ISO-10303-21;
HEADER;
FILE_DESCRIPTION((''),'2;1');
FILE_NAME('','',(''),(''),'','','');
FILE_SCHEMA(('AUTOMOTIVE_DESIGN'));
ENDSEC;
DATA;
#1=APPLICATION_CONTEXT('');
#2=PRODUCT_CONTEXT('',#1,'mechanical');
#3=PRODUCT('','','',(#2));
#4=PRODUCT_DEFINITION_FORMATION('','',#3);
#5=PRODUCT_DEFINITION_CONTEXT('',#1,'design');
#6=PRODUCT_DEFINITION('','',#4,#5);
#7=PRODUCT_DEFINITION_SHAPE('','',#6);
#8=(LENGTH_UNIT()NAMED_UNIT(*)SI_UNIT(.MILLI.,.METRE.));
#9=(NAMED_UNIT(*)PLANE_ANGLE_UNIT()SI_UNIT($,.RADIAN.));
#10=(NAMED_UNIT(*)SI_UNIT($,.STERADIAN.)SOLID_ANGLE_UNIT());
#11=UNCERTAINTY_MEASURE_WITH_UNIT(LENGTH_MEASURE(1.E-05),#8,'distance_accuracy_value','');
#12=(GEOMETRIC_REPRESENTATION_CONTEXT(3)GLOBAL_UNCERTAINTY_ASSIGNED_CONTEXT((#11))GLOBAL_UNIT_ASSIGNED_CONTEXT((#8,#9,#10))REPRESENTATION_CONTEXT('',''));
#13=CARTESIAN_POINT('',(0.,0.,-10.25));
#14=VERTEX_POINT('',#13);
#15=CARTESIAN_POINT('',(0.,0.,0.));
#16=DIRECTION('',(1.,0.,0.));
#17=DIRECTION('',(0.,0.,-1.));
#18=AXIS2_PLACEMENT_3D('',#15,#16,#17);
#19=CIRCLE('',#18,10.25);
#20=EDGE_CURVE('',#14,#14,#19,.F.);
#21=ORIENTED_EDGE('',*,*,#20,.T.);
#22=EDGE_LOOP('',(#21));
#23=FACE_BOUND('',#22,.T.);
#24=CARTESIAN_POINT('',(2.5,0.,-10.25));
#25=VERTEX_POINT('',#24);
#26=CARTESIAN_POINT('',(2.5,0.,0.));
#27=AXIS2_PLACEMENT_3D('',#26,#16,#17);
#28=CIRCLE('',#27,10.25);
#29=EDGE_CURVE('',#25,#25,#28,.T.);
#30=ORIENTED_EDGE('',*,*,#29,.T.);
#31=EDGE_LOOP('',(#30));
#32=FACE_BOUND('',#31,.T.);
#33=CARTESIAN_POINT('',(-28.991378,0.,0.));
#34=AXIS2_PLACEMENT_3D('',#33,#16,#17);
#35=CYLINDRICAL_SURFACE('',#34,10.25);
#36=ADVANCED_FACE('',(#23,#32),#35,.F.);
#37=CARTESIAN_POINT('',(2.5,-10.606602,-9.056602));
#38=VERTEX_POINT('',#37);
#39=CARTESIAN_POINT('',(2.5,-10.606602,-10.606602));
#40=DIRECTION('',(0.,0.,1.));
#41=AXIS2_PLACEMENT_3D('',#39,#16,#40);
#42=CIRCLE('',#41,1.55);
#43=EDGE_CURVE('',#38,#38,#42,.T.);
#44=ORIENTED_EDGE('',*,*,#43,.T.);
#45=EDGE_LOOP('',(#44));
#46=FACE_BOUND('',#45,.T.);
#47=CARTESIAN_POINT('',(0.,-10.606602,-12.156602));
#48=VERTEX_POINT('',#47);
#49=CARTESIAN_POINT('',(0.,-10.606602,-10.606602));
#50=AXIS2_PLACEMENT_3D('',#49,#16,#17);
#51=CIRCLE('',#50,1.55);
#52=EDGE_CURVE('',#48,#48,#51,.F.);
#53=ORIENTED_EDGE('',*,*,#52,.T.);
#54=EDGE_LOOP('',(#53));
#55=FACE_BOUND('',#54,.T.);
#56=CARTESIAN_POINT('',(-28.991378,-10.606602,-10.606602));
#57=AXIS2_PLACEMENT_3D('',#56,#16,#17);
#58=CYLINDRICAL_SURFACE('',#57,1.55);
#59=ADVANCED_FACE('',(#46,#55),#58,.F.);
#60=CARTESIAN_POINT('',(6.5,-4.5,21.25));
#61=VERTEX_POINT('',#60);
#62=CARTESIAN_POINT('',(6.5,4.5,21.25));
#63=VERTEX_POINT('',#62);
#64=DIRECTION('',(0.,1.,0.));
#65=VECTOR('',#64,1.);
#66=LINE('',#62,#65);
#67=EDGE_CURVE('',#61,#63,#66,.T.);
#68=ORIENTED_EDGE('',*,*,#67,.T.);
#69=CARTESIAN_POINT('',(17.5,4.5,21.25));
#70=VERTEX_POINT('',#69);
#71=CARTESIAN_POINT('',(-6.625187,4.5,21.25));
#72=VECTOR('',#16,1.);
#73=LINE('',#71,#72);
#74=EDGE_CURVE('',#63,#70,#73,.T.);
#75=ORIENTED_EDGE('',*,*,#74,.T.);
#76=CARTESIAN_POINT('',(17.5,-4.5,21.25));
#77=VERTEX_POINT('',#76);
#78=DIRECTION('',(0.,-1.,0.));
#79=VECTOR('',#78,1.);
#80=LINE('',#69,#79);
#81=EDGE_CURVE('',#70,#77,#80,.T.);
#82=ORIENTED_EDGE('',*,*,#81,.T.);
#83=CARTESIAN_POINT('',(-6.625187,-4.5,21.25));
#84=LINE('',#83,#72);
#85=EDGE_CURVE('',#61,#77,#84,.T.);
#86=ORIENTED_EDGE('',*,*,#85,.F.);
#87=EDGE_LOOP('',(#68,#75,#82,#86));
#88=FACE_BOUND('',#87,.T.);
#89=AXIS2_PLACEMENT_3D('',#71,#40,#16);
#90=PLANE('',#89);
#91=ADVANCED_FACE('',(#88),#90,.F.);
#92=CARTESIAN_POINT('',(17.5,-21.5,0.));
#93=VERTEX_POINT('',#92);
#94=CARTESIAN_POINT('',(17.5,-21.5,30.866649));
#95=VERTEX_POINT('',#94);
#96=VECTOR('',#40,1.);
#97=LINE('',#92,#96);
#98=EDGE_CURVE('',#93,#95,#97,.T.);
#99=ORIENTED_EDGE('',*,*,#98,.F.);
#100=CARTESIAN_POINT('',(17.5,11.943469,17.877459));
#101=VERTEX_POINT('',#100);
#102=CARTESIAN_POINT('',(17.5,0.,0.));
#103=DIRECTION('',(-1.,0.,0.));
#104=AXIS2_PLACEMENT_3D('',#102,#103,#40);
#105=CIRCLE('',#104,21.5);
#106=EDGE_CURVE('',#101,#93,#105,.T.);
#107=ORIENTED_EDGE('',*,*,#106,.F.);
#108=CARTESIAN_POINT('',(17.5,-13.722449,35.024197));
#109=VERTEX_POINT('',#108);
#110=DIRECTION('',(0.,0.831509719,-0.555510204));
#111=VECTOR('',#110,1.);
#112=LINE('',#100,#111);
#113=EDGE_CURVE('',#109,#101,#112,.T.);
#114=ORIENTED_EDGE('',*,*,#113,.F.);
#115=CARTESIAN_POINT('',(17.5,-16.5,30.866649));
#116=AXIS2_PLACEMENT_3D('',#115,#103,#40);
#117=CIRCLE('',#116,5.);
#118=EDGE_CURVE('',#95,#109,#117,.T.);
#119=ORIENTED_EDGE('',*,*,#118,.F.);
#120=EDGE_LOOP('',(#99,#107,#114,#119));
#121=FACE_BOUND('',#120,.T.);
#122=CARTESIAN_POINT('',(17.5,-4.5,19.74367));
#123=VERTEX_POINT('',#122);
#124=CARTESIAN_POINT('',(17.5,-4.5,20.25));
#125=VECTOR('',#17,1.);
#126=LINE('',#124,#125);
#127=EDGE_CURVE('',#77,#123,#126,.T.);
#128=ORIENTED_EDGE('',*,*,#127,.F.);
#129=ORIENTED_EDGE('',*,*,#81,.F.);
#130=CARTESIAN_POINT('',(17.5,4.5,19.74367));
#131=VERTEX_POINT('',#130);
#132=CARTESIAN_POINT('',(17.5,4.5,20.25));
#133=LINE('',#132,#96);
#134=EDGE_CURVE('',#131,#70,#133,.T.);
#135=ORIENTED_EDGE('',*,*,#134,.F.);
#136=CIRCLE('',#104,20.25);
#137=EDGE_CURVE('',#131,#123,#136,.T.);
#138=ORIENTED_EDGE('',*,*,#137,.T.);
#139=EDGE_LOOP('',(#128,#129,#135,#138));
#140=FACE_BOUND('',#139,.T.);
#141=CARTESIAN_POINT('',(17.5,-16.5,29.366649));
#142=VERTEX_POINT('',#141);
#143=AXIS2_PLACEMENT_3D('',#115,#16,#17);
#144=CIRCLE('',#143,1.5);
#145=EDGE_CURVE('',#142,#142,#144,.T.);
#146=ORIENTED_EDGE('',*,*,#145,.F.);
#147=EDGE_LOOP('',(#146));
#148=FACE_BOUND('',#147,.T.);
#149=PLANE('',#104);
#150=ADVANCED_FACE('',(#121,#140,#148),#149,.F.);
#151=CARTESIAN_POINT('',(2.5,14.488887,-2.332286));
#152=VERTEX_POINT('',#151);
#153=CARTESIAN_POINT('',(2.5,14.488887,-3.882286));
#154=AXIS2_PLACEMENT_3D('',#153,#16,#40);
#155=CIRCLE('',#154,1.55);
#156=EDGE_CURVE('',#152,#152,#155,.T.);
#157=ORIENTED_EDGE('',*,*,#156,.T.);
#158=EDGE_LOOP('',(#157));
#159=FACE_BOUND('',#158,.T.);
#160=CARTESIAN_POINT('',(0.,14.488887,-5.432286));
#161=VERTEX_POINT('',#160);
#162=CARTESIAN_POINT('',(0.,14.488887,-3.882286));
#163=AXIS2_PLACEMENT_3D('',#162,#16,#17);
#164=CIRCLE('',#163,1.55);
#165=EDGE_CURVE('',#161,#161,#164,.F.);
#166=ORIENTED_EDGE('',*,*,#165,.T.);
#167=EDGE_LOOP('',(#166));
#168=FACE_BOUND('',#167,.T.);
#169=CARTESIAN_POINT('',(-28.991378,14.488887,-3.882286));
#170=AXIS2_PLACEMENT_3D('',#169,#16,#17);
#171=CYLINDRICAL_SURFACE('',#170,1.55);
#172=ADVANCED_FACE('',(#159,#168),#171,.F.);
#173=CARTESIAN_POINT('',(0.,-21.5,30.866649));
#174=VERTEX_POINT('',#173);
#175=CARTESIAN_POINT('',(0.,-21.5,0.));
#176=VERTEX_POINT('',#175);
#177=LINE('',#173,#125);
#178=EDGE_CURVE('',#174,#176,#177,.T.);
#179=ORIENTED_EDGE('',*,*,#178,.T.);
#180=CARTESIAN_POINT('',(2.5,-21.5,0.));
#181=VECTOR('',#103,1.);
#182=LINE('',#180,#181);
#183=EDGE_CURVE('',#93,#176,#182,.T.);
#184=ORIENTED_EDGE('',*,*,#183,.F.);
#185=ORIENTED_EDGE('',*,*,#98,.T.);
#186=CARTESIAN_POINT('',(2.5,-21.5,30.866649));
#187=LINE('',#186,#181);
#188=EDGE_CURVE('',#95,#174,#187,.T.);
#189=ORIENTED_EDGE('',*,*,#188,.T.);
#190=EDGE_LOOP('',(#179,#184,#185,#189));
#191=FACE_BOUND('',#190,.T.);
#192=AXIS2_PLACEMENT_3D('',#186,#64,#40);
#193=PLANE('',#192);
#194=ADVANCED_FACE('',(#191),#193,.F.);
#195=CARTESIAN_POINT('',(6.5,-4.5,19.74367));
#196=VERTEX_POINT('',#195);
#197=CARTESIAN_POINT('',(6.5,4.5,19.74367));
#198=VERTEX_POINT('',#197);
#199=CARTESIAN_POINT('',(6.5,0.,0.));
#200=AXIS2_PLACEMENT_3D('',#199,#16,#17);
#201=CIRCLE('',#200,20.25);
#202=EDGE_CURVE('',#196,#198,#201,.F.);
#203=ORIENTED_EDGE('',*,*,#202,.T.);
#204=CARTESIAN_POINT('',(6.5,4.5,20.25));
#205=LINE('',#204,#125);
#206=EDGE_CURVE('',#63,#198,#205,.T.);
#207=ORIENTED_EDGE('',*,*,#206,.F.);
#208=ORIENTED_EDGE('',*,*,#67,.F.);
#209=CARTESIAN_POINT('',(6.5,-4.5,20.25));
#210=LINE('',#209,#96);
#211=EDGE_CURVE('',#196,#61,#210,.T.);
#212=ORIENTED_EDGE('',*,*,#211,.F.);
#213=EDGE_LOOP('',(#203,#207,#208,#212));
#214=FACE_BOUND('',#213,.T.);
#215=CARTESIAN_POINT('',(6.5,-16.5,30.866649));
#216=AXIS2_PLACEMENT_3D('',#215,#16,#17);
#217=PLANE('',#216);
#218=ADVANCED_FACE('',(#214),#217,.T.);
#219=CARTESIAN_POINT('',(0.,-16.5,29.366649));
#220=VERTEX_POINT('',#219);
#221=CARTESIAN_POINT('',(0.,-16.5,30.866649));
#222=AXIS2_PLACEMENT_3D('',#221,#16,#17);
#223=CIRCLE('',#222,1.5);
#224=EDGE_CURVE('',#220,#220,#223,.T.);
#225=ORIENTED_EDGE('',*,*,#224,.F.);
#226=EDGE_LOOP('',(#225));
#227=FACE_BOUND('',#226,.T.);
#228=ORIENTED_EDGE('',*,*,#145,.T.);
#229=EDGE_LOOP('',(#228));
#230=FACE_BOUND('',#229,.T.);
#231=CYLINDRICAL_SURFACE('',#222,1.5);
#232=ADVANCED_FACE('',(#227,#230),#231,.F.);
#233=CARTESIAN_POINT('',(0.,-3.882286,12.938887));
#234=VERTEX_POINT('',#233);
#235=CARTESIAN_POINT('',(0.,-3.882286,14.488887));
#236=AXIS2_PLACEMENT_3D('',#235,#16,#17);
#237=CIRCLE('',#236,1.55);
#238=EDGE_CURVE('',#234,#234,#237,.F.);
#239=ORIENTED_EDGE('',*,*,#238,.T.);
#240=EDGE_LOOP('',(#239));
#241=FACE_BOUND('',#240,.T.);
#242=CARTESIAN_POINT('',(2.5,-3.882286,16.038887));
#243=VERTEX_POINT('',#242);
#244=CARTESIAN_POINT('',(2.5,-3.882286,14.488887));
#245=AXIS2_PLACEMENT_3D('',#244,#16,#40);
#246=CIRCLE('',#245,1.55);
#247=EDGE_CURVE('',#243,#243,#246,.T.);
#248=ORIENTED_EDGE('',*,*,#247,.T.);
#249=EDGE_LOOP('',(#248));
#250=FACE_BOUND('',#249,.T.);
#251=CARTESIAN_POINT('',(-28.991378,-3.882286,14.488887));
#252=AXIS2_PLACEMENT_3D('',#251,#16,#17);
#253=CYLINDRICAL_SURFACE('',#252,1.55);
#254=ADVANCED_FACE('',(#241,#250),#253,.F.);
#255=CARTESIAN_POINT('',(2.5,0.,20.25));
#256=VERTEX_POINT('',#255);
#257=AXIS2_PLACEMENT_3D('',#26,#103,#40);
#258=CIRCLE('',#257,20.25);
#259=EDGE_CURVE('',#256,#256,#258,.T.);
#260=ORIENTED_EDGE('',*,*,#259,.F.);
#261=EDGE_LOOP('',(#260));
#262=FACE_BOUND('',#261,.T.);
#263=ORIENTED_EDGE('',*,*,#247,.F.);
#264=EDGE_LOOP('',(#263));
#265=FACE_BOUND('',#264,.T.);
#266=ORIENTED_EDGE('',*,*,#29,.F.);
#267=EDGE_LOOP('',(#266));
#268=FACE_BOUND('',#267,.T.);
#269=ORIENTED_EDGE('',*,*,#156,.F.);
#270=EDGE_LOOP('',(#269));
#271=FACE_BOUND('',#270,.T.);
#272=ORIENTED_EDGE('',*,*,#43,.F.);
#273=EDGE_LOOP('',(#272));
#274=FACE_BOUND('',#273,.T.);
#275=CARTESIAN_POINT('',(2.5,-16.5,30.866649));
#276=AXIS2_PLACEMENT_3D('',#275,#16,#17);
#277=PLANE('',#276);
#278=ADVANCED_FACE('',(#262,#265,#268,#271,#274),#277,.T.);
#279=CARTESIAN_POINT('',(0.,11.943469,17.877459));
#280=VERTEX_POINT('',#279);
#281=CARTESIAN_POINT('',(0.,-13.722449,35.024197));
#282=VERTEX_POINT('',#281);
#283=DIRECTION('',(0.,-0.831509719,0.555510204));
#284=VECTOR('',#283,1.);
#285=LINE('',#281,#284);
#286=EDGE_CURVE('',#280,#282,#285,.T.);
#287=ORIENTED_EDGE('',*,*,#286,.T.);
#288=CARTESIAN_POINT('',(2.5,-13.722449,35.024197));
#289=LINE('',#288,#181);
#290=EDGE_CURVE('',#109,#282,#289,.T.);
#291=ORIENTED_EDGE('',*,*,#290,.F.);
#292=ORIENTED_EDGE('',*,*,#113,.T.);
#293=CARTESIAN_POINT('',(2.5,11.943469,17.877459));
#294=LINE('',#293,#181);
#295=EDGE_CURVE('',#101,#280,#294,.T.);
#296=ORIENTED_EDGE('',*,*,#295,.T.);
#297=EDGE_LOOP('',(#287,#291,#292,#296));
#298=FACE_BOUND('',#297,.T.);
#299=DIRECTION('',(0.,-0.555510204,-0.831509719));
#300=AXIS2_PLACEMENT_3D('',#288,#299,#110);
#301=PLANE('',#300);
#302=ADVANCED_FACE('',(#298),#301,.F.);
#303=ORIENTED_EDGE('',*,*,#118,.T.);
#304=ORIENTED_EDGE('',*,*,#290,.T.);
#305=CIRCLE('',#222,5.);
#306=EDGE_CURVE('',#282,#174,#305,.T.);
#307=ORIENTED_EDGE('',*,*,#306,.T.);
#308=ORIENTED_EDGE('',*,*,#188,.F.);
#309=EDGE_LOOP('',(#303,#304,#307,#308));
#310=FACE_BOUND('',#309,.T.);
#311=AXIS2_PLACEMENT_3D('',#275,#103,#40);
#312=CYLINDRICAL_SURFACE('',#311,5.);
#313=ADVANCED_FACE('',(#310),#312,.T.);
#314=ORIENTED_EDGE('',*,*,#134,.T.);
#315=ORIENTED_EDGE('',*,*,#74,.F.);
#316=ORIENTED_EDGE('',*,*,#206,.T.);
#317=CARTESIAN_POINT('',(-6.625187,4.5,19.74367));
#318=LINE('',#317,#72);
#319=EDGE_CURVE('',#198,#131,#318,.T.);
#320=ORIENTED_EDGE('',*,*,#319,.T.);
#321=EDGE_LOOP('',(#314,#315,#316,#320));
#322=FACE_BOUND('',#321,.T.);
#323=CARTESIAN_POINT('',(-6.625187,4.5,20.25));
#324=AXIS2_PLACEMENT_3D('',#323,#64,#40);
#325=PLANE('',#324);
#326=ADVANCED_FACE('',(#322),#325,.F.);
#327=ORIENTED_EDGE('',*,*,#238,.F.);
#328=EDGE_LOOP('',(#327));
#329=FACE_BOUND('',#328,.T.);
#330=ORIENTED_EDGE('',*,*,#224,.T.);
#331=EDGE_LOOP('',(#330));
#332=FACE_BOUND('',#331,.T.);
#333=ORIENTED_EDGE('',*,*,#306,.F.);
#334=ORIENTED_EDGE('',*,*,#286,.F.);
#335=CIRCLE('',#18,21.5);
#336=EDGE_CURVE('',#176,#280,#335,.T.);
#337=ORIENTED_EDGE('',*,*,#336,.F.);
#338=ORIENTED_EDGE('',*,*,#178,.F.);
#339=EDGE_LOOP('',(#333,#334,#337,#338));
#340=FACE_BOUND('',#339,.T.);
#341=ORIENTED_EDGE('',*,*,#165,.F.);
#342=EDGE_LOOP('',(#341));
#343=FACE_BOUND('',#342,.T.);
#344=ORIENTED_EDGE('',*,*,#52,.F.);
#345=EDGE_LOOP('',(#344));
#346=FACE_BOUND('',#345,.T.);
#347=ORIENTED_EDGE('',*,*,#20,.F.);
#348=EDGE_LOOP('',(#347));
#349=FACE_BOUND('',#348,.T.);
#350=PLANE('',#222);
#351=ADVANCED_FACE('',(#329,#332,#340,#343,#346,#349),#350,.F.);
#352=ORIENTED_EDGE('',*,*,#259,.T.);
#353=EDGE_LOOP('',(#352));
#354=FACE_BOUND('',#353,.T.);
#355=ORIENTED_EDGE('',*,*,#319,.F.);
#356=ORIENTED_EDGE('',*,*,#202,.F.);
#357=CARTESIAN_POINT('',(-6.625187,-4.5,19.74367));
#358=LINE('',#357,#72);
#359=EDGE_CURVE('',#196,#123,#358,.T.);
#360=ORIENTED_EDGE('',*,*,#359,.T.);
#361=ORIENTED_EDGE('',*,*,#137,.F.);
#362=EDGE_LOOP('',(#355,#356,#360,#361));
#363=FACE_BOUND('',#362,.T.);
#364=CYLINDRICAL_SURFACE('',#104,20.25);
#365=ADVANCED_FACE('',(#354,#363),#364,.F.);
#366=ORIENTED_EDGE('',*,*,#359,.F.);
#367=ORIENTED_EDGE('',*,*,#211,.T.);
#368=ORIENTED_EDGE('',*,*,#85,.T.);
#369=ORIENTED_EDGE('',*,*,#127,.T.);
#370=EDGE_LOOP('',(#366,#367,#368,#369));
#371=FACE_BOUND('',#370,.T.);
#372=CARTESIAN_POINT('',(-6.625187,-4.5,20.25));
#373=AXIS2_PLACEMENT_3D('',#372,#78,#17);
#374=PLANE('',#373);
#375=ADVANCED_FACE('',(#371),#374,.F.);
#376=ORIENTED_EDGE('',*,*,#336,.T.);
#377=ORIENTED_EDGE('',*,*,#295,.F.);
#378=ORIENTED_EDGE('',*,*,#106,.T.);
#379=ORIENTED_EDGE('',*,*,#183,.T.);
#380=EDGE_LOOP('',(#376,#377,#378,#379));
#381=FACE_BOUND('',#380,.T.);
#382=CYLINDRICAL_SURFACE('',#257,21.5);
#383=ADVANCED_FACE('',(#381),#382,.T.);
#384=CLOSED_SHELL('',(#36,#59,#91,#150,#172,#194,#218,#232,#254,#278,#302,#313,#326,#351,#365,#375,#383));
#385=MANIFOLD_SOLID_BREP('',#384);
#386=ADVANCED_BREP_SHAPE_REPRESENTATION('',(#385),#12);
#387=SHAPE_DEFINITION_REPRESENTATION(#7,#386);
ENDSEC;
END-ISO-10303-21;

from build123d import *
from build123d.topology import SkipClean

# Parameters (mm, degrees)
EXTRUDE_1_DEPTH     = 2.5
SKETCH_3_R          = 10.25
SKETCH_3_R_2        = 1.55
CUT_EXTRUDE_1_DEPTH = 2.5
SKETCH_2_R          = 20.25
EXTRUDE_2_DEPTH     = 15
SKETCH_4_R          = 1.5
CUT_EXTRUDE_2_DEPTH = 46.33118669
CUT_EXTRUDE_3_DEPTH = 11


with BuildPart() as part:
    # Эскиз1 → Бобышка-Вытянуть1 (new body)
    with BuildSketch(Plane(origin=(0, 0, 0), x_dir=(0, 0, -1), z_dir=(1, 0, 0))):
        with BuildLine():
            Line((-30.866648668, -21.5), (0, -21.5))
            ThreePointArc((0, -21.5), (18.960941325, 10.135714286), (-17.877458963, 11.943469388))
            Line((-17.877458963, 11.943469388), (-35.024197264, -13.72244898))
            ThreePointArc((-35.024197264, -13.72244898), (-35.276169906, -18.857142857), (-30.866648668, -21.5))
        make_face()
    extrude(amount=EXTRUDE_1_DEPTH)

    # Эскиз3 → Вырез-Вытянуть1 (cut)
    with BuildSketch(Plane(origin=(2.5, 0, 0), x_dir=(0, 0, -1), z_dir=(1, 0, 0))):
        Circle(SKETCH_3_R)
        with Locations((3.882285677, 14.488887394)):
            Circle(SKETCH_3_R_2)
        with Locations((10.606601718, -10.606601718)):
            Circle(SKETCH_3_R_2)
        with Locations((-14.488887394, -3.882285677)):
            Circle(SKETCH_3_R_2)
    extrude(amount=-CUT_EXTRUDE_1_DEPTH, mode=Mode.SUBTRACT)

    # Эскиз2 → Бобышка-Вытянуть2 (add)
    with SkipClean():  # the faces are left unmerged after this step: merging them gives an invalid solid
        with BuildSketch(Plane.ZY.offset(-2.5)):
            with BuildLine():
                Line((0, -21.5), (30.866648668, -21.5))
                ThreePointArc((30.866648668, -21.5), (35.276169906, -18.857142857), (35.024197264, -13.72244898))
                Line((35.024197264, -13.72244898), (17.877458963, 11.943469388))
                ThreePointArc((17.877458963, 11.943469388), (-18.960941325, 10.135714286), (0, -21.5))
            make_face()
            Circle(SKETCH_2_R, mode=Mode.SUBTRACT)
        extrude(amount=-EXTRUDE_2_DEPTH)

    # Эскиз4 → Вырез-Вытянуть2 (cut, through all)
    with SkipClean():  # the faces are left unmerged after this step: merging them gives an invalid solid
        with BuildSketch(Plane(origin=(17.5, 0, 0), x_dir=(0, 0, -1), z_dir=(1, 0, 0))):
            with Locations((-30.866648668, -16.5)):
                Circle(SKETCH_4_R)
        extrude(amount=-CUT_EXTRUDE_2_DEPTH, mode=Mode.SUBTRACT)

    # Эскиз5 → Вырез-Вытянуть3 (cut)
    with SkipClean():  # the faces are left unmerged after this step: merging them gives an invalid solid
        with BuildSketch(Plane(origin=(17.5, 0, 0), x_dir=(0, 0, -1), z_dir=(1, 0, 0))):
            Polygon((-20.25, 4.5), (-19.743669872, 4.5), (-19.743669872, -4.5), (-20.25, -4.5), (-21.25, -4.5), (-21.25, 4.5), align=None)
        extrude(amount=-CUT_EXTRUDE_3_DEPTH, mode=Mode.SUBTRACT)


solid = part.part
